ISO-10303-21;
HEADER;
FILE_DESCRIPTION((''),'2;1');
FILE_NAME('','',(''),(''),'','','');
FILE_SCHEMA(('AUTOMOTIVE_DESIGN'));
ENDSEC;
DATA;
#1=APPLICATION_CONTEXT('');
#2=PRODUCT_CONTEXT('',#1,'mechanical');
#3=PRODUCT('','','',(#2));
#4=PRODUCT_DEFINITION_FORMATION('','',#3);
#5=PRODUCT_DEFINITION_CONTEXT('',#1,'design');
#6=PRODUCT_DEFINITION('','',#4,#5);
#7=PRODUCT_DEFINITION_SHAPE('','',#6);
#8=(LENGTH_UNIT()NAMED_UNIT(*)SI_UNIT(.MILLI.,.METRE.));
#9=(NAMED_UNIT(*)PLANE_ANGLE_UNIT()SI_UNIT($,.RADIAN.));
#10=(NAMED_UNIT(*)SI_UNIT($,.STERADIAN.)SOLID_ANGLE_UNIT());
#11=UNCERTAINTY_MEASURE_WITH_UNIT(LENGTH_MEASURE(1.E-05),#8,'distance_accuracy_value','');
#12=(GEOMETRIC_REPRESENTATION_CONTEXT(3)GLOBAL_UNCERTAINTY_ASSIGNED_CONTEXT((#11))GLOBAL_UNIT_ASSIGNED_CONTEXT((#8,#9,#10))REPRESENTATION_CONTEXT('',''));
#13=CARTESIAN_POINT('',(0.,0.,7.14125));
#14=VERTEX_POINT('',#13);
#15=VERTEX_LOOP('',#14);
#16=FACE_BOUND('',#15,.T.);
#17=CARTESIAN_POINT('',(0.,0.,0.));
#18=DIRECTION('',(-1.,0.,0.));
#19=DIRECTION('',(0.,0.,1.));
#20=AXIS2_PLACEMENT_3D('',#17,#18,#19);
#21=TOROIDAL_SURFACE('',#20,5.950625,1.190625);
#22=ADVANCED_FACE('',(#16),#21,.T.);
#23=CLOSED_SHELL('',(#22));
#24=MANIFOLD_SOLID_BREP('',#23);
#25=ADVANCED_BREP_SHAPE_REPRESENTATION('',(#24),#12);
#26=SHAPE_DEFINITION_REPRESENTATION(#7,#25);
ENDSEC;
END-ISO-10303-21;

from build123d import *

# Parameters (mm, degrees)
SKETCH1_R = 1.190625


with BuildPart() as part:
    # Sketch1 → Revolve2 (revolve)
    with BuildSketch(Plane.XY):
        with Locations((0, 5.950625)):
            Circle(SKETCH1_R)
    revolve(axis=Axis((-3.180246236, 0, 0), (1, 0, 0)))


solid = part.part
